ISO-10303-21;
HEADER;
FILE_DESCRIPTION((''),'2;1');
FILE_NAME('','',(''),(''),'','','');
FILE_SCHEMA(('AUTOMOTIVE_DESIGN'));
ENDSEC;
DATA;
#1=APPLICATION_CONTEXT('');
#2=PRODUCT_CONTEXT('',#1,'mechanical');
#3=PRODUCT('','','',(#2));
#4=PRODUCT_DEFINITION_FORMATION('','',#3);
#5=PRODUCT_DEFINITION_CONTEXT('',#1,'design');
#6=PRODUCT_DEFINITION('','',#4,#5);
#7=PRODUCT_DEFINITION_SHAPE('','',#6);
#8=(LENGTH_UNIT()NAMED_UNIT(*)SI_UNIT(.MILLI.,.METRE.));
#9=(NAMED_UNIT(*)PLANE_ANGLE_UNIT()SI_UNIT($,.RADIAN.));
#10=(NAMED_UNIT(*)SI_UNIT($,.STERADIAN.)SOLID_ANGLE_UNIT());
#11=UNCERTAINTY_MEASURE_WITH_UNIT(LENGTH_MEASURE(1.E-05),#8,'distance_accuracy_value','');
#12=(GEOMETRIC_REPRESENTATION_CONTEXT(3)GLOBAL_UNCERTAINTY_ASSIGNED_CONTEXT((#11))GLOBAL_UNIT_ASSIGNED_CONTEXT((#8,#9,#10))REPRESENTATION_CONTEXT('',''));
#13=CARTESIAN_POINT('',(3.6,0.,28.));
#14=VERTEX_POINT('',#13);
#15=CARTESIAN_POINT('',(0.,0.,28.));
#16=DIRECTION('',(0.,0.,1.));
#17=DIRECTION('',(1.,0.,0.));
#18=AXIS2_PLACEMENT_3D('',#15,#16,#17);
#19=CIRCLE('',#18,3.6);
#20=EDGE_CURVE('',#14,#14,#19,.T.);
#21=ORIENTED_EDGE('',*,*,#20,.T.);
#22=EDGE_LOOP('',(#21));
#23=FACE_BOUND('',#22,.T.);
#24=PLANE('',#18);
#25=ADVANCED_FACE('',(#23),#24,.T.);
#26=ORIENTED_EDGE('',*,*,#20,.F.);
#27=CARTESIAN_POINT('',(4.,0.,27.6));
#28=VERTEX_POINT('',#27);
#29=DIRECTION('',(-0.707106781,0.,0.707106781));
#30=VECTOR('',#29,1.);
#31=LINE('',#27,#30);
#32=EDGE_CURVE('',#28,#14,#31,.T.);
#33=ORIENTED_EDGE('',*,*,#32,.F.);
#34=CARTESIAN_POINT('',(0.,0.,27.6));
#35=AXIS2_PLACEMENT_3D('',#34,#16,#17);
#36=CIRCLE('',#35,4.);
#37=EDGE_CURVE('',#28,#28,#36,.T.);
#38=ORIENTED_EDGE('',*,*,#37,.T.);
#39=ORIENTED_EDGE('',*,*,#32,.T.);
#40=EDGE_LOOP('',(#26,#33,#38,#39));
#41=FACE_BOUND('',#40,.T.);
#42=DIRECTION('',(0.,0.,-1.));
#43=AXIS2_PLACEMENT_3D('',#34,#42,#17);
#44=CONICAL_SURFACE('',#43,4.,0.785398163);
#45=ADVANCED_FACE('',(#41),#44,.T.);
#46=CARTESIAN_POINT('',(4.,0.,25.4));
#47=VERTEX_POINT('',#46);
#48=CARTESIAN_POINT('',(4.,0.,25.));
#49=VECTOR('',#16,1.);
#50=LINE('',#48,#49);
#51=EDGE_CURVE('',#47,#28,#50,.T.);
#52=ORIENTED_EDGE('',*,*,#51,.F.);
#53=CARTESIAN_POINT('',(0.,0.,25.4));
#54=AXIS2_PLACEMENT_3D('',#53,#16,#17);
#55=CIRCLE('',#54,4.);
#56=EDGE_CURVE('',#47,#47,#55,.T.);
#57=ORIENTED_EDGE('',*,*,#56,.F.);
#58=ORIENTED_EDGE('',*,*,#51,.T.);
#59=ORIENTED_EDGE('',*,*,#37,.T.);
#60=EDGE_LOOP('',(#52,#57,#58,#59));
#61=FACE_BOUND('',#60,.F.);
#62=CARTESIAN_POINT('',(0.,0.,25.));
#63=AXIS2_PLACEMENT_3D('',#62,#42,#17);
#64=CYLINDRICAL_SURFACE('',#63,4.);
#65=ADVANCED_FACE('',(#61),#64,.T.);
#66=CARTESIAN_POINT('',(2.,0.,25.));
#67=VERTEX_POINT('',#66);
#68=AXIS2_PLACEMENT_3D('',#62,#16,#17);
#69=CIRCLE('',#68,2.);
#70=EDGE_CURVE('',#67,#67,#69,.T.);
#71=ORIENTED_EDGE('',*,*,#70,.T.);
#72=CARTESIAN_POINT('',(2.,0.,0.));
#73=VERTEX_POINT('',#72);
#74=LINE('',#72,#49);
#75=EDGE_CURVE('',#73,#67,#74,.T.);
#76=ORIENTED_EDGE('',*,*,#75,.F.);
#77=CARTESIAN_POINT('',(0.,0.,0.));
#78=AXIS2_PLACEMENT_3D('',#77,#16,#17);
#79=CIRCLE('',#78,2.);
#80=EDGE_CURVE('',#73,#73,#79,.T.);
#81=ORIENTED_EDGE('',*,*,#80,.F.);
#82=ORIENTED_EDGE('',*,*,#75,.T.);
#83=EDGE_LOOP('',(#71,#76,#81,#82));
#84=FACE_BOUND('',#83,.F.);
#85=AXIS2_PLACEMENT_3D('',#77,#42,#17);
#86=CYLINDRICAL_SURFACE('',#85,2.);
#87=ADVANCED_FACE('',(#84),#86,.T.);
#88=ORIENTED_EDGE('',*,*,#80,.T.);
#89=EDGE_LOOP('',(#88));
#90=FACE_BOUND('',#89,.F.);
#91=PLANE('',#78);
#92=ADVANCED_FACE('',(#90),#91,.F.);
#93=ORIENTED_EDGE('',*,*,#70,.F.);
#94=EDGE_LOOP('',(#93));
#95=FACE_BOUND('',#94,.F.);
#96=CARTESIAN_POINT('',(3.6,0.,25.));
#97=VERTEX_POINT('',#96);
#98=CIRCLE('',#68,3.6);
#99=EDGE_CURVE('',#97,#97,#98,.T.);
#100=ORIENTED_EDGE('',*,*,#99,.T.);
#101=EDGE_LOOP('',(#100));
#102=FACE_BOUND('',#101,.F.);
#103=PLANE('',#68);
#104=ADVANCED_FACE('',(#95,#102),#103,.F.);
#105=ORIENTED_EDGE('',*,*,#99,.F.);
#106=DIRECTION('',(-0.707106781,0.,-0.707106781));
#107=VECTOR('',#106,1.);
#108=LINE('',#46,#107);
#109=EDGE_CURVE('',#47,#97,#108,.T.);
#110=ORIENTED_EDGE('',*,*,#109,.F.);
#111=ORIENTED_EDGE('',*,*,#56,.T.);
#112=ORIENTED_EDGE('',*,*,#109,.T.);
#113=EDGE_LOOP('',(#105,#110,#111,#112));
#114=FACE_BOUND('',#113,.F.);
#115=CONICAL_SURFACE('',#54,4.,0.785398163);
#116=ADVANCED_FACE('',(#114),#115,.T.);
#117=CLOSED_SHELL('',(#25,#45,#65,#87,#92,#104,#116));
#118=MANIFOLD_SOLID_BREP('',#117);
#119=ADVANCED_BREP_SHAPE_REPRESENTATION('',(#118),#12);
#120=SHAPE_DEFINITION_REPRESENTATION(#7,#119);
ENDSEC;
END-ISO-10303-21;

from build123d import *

# Parameters (mm, degrees)
F0_R     = 2
F1_DEPTH = 25
F2_R     = 4
F2_R_2   = 2
F3_DEPTH = 3
F4_SIZE  = 0.4


with BuildPart() as f1:
    # F0 (on Top) → F1 (new body)
    with BuildSketch(Plane.XY):
        Circle(F0_R)
    extrude(amount=F1_DEPTH)

    # F2 (on face) → F3 (join)
    with BuildSketch(Plane.XY.offset(25)):
        Circle(F2_R)
        Circle(F2_R_2, mode=Mode.SUBTRACT)
        Circle(F2_R_2)
    extrude(amount=F3_DEPTH)

    # F4
    f4_edges = [f1.edges().sort_by_distance(p)[0] for p in [
        (-4, 0, 28),
        (-4, 0, 25),
    ]]
    chamfer(f4_edges, length=F4_SIZE)


solid = f1.part
